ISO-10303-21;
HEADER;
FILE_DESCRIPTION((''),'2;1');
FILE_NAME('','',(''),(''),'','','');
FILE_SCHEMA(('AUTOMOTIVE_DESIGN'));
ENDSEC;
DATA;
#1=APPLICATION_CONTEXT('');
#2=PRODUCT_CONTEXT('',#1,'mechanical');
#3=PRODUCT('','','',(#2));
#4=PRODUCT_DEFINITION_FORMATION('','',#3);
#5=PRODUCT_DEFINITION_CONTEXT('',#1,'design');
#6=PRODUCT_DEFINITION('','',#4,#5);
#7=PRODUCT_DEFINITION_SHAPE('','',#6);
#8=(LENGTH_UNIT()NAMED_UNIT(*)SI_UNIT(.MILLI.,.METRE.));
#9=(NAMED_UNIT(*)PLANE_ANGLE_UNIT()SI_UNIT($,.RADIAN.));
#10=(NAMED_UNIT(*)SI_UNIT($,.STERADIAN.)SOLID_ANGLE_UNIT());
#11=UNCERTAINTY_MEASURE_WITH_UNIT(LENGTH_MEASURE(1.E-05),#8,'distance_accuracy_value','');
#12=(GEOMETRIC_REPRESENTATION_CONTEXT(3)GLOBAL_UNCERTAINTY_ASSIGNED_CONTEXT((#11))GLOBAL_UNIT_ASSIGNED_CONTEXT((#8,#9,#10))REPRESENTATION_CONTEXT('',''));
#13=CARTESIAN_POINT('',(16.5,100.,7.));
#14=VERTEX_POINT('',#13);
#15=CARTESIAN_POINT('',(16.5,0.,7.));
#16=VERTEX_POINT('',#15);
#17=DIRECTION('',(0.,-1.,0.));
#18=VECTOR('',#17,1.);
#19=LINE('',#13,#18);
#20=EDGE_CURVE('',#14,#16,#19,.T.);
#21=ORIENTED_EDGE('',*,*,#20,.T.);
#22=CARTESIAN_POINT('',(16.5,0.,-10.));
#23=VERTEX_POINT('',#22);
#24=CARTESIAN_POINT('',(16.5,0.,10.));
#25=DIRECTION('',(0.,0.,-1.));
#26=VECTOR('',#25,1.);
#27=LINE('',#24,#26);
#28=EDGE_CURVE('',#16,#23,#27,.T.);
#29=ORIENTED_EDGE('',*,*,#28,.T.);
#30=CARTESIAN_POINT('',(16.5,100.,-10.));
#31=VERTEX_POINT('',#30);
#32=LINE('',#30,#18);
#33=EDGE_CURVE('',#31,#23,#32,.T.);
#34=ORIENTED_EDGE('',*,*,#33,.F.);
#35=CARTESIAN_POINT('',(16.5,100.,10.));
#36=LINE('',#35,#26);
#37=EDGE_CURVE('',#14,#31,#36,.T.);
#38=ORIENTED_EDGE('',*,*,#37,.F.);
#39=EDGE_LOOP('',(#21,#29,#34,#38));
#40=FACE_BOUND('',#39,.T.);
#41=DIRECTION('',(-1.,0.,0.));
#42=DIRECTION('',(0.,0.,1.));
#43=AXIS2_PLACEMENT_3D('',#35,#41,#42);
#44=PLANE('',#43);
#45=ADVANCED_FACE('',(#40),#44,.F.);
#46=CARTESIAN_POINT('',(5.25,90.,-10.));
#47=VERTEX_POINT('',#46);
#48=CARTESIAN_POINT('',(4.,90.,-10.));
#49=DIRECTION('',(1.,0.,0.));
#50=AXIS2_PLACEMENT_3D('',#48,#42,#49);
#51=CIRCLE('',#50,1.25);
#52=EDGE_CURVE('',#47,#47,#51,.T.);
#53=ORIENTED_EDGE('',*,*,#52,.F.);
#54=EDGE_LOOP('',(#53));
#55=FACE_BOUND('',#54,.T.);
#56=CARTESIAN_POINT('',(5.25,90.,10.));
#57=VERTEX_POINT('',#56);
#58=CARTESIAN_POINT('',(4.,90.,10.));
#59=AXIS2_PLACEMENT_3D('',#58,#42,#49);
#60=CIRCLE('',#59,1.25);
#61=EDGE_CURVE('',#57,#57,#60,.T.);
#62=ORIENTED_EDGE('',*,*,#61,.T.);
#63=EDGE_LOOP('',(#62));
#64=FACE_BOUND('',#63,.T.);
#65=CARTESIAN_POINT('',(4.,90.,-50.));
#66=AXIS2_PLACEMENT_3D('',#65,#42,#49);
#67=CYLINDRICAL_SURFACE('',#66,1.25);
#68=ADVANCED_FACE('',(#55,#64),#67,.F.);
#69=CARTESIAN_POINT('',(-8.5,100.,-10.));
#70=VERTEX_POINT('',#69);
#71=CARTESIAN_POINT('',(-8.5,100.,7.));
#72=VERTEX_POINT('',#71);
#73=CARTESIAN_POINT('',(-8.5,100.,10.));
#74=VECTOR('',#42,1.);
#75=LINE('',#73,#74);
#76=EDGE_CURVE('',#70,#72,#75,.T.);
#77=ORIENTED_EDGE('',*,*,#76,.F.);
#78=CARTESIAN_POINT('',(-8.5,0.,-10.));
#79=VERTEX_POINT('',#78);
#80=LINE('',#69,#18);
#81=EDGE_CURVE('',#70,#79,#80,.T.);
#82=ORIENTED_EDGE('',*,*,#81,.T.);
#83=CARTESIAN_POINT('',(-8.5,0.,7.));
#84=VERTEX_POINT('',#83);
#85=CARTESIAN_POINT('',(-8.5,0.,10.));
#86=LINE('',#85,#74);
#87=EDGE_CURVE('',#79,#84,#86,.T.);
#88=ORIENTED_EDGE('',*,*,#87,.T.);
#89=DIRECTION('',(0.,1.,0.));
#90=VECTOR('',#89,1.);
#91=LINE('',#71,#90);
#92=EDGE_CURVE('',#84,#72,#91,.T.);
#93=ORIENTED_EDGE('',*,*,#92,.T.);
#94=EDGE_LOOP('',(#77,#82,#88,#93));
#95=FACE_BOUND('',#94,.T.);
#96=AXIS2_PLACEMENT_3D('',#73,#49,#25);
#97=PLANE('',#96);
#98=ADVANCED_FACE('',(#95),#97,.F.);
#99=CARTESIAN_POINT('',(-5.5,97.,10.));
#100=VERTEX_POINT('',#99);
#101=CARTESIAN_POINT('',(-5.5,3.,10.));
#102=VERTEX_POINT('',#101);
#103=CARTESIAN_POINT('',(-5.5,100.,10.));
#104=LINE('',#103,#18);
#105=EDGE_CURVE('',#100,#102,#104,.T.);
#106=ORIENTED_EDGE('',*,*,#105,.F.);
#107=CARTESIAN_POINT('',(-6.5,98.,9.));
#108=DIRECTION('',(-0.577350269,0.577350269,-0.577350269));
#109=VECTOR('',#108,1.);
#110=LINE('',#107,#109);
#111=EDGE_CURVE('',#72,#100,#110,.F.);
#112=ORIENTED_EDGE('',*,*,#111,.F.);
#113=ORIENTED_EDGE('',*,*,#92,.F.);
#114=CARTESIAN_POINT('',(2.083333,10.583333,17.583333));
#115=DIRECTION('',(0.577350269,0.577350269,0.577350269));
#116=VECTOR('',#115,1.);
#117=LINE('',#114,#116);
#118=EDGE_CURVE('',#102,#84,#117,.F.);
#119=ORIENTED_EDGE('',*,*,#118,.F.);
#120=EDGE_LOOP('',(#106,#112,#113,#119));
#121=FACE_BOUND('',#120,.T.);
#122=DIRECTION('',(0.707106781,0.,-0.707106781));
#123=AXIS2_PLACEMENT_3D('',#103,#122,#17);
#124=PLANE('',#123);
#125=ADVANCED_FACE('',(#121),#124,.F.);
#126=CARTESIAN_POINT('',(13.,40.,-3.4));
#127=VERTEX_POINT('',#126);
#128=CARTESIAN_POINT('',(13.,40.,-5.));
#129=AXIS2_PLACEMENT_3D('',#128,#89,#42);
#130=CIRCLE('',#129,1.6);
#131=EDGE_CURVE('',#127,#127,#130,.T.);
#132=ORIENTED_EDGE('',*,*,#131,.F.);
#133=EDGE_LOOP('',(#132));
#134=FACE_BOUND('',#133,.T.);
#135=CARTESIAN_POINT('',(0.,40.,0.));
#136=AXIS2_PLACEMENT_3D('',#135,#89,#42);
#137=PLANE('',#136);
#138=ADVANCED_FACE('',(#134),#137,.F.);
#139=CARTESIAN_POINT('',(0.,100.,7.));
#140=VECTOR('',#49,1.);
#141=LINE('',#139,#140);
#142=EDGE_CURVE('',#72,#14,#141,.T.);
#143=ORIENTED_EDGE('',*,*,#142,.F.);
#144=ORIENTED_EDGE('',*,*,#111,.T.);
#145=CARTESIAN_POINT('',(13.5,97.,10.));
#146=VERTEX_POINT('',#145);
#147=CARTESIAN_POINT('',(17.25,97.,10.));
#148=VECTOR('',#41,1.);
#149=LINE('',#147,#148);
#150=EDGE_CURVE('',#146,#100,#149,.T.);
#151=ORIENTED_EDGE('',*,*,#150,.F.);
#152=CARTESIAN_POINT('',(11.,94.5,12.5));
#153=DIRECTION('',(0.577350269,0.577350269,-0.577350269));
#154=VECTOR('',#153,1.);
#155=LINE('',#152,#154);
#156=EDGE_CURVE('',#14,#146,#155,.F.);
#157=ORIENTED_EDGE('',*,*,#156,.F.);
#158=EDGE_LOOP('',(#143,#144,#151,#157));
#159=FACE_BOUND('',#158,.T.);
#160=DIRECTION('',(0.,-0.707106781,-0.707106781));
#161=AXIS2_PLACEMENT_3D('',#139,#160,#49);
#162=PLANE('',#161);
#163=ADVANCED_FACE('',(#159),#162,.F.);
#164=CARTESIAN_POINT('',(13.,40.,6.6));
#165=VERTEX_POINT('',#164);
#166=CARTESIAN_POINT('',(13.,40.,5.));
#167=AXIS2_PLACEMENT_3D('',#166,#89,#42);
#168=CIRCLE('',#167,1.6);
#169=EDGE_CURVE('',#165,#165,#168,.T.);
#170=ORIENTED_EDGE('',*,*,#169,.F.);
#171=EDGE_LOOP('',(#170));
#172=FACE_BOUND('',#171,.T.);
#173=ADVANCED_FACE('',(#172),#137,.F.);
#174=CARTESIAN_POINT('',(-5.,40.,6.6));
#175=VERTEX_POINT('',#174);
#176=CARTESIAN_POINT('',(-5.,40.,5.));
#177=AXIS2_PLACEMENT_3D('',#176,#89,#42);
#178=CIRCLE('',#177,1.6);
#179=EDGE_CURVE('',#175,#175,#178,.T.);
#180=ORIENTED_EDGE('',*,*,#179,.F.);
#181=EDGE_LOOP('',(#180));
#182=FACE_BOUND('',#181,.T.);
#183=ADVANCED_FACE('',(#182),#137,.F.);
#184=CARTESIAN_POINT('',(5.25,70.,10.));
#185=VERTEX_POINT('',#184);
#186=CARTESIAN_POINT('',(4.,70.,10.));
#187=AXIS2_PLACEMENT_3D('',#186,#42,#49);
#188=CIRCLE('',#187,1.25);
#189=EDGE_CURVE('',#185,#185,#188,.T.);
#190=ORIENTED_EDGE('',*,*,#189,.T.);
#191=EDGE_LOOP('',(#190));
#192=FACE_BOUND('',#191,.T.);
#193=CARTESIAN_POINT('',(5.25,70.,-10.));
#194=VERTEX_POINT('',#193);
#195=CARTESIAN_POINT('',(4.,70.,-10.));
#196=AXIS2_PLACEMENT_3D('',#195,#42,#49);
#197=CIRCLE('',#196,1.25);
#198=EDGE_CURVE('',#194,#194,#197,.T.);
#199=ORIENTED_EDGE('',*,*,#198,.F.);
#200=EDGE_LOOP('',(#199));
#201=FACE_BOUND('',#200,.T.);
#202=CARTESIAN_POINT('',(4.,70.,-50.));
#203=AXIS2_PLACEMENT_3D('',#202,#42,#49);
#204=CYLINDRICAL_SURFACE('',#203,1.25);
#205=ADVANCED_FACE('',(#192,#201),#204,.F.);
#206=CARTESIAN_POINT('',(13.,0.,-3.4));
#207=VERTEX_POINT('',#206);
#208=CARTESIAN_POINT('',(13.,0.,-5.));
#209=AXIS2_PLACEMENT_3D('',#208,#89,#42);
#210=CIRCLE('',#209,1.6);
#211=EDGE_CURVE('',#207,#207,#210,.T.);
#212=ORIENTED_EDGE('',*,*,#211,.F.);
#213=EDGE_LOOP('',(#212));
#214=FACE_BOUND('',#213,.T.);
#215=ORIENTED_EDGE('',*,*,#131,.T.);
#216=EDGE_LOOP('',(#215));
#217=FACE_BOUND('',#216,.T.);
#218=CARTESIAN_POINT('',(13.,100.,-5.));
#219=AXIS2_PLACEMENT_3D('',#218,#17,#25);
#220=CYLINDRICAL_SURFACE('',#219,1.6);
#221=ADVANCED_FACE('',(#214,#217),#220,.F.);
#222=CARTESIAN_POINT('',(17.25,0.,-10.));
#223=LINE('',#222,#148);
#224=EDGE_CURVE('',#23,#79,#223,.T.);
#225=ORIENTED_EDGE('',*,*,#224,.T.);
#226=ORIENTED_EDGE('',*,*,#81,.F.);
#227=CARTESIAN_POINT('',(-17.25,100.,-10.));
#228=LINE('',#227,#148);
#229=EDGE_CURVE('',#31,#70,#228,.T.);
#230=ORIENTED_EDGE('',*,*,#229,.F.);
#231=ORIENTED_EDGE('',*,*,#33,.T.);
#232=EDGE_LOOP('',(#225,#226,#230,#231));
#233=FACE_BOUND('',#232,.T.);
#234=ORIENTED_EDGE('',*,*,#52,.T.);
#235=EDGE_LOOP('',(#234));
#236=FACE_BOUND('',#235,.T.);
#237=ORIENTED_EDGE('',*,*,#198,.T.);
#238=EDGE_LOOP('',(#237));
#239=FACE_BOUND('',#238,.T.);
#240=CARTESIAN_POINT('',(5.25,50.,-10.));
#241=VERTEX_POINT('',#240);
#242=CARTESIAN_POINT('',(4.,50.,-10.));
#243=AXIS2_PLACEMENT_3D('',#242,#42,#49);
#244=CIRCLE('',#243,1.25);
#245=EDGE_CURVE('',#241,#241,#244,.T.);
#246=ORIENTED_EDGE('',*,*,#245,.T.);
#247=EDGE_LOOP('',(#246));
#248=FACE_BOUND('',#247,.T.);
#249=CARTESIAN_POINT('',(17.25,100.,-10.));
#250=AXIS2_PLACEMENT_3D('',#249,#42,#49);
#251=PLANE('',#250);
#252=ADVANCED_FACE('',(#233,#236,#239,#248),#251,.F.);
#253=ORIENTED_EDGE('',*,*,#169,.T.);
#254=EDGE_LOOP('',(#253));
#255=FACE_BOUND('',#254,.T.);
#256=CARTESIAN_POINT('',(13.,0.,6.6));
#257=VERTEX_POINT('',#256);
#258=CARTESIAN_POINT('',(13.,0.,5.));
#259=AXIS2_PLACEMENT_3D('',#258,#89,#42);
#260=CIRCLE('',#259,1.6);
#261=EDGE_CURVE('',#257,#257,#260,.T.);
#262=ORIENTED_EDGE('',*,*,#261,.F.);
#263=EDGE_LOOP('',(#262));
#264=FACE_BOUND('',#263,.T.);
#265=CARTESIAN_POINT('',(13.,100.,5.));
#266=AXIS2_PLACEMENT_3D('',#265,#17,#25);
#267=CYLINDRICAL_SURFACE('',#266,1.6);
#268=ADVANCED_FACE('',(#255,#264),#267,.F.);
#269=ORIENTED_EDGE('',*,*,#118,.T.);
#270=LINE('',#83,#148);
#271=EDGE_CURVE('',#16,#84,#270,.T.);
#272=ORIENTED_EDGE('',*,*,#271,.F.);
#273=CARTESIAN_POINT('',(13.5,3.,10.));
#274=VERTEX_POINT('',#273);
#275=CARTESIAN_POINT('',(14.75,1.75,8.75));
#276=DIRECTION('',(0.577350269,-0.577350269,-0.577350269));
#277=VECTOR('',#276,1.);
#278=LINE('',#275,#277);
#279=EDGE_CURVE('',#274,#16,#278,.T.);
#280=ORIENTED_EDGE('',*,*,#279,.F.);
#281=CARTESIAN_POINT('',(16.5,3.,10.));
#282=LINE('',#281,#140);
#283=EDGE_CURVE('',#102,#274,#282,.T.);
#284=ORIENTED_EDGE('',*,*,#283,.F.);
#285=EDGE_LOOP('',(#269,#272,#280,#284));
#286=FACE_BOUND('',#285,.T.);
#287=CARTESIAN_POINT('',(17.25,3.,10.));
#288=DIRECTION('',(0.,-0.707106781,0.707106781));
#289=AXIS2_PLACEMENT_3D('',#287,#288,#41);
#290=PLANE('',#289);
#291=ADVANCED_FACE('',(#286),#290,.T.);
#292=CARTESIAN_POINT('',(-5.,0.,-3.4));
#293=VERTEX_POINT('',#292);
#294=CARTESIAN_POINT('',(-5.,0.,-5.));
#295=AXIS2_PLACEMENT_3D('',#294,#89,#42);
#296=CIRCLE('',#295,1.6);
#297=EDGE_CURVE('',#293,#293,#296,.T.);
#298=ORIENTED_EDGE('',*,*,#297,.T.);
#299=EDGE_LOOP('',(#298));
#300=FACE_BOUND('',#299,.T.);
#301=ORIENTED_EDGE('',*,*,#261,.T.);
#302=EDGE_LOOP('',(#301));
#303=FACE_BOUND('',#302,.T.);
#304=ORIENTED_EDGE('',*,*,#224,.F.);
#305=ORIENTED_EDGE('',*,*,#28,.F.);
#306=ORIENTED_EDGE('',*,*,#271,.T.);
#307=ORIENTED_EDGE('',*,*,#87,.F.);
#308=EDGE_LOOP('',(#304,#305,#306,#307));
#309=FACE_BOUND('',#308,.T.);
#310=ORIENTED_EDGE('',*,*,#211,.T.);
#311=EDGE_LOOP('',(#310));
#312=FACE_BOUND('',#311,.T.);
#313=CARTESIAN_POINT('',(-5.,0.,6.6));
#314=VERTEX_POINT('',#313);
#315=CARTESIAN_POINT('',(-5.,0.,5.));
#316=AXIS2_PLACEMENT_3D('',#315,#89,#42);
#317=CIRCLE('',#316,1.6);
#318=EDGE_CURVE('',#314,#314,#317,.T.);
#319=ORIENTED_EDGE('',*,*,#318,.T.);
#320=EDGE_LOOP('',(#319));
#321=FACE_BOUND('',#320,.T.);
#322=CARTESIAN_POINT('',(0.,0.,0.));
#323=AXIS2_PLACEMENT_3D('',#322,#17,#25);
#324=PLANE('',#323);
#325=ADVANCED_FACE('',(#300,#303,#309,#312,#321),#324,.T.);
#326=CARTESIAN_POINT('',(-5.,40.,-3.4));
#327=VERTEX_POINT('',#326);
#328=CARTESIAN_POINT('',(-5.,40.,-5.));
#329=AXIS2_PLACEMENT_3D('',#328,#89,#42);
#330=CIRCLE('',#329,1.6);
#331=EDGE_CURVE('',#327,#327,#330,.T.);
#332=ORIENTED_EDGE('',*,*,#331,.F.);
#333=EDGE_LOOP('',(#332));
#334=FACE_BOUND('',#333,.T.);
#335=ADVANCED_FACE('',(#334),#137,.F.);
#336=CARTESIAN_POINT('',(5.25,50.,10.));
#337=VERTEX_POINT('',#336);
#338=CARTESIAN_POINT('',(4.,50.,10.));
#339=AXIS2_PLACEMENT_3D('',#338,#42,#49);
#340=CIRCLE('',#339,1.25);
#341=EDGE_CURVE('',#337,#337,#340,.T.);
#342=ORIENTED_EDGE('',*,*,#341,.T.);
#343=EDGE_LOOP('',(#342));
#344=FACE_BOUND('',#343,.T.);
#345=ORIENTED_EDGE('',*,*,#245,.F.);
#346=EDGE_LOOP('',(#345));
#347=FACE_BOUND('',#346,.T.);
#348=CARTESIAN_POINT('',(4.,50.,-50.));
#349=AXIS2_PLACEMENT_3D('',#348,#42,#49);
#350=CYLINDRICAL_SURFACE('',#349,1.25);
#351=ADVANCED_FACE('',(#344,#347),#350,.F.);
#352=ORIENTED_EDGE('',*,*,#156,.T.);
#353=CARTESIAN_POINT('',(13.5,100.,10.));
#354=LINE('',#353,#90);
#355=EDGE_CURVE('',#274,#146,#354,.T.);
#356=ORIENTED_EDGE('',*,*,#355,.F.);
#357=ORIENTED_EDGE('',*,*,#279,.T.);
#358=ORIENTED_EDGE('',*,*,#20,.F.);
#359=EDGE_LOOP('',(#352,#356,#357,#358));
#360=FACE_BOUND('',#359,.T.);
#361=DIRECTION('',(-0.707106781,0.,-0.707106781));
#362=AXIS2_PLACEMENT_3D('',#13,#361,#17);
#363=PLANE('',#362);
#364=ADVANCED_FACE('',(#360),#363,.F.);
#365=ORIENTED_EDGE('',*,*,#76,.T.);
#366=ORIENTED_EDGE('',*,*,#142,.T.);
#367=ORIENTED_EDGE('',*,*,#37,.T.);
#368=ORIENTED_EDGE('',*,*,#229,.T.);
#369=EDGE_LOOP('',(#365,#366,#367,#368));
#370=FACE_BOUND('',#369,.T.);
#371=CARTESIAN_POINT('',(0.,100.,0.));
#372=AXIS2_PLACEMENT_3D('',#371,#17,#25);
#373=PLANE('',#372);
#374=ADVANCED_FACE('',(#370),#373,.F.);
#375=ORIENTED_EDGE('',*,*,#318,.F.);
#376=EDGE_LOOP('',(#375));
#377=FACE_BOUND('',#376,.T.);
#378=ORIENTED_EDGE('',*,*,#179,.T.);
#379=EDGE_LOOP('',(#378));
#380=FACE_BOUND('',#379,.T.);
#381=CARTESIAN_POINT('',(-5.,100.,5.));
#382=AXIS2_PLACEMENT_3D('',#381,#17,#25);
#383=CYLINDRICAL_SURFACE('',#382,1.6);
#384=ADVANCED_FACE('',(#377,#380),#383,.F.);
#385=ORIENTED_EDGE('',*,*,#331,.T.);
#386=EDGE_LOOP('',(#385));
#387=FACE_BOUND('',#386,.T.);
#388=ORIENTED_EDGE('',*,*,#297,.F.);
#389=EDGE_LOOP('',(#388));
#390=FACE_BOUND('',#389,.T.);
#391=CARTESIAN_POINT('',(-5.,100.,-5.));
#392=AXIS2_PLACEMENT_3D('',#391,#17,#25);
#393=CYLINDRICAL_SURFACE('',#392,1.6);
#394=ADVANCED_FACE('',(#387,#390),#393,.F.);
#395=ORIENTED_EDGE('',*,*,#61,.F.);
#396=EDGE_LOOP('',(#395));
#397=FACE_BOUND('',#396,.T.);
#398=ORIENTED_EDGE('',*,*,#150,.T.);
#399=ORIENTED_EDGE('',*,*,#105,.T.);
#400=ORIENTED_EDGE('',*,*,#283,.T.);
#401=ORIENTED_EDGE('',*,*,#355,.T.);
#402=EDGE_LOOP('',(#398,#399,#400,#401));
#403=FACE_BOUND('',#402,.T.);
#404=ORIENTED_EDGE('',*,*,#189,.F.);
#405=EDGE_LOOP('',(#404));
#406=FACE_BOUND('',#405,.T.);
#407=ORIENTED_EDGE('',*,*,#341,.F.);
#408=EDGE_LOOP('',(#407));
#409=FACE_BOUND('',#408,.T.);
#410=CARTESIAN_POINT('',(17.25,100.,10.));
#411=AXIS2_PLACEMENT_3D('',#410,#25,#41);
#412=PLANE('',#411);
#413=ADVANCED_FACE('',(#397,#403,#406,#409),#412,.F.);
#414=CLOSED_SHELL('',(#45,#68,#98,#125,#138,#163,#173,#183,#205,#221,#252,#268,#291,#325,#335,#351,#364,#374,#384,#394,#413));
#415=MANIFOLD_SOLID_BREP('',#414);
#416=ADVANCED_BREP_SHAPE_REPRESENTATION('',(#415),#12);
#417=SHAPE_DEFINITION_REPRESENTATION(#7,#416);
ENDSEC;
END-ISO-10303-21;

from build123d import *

# Parameters (mm, degrees)
SKETCH1_R           = 1.6
BOSS_EXTRUDE1_DEPTH = 100
SKETCH2_W           = 8.75
SKETCH2_H           = 20
CUT_EXTRUDE1_DEPTH  = 100
SKETCH3_W           = 25
SKETCH3_H           = 20
BOSS_EXTRUDE2_DEPTH = 60
SKETCH4_R           = 1.25
CUT_EXTRUDE2_DEPTH  = 60
CHAMFER1_SIZE       = 3


with BuildPart() as part:
    # Sketch1 → Boss-Extrude1 (new body)
    with BuildSketch(Plane(origin=(0, 0, 0), x_dir=(1, 0, 0), z_dir=(0, 1, 0))):
        Polygon((-17.25, -10), (17.25, -10), (25.25, -10), (25.25, 10), (17.25, 10), (-17.25, 10), align=None)
        with Locations(Location((-5, 5, 0), (0, 0, 270))):
            Circle(SKETCH1_R, mode=Mode.SUBTRACT)
        with Locations(Location((13, 5, 0), (0, 0, 270))):
            Circle(SKETCH1_R, mode=Mode.SUBTRACT)
        with Locations(Location((-5, -5, 0), (0, 0, 270))):
            Circle(SKETCH1_R, mode=Mode.SUBTRACT)
        with Locations(Location((13, -5, 0), (0, 0, 270))):
            Circle(SKETCH1_R, mode=Mode.SUBTRACT)
    extrude(amount=BOSS_EXTRUDE1_DEPTH)

    # Sketch2 → Cut-Extrude1 (cut)
    with BuildSketch(Plane.XZ):
        with Locations((-12.875, 0)):
            Rectangle(SKETCH2_W, SKETCH2_H)
        with Locations((20.875, 0)):
            Rectangle(SKETCH2_W, SKETCH2_H)
    extrude(amount=-CUT_EXTRUDE1_DEPTH, mode=Mode.SUBTRACT)

    # Sketch3 → Boss-Extrude2 (add)
    with BuildSketch(Plane(origin=(0, 100, 0), x_dir=(1, 0, 0), z_dir=(0, 1, 0))):
        with Locations((4, 0)):
            Rectangle(SKETCH3_W, SKETCH3_H)
    extrude(amount=-BOSS_EXTRUDE2_DEPTH)

    # Sketch4 → Cut-Extrude2 (cut)
    with BuildSketch(Plane.XY.offset(10)):
        with Locations((4, 50)):
            Circle(SKETCH4_R)
        with Locations((4, 70)):
            Circle(SKETCH4_R)
        with Locations((4, 90)):
            Circle(SKETCH4_R)
    extrude(amount=-CUT_EXTRUDE2_DEPTH, mode=Mode.SUBTRACT)

    # Chamfer1
    chamfer1_edges = [part.edges().sort_by_distance(p)[0] for p in [
        (4, 0, 10),
        (4, 100, 10),
        (-8.5, 50, 10),
        (16.5, 50, 10),
    ]]
    chamfer(chamfer1_edges, length=CHAMFER1_SIZE)


solid = part.part
